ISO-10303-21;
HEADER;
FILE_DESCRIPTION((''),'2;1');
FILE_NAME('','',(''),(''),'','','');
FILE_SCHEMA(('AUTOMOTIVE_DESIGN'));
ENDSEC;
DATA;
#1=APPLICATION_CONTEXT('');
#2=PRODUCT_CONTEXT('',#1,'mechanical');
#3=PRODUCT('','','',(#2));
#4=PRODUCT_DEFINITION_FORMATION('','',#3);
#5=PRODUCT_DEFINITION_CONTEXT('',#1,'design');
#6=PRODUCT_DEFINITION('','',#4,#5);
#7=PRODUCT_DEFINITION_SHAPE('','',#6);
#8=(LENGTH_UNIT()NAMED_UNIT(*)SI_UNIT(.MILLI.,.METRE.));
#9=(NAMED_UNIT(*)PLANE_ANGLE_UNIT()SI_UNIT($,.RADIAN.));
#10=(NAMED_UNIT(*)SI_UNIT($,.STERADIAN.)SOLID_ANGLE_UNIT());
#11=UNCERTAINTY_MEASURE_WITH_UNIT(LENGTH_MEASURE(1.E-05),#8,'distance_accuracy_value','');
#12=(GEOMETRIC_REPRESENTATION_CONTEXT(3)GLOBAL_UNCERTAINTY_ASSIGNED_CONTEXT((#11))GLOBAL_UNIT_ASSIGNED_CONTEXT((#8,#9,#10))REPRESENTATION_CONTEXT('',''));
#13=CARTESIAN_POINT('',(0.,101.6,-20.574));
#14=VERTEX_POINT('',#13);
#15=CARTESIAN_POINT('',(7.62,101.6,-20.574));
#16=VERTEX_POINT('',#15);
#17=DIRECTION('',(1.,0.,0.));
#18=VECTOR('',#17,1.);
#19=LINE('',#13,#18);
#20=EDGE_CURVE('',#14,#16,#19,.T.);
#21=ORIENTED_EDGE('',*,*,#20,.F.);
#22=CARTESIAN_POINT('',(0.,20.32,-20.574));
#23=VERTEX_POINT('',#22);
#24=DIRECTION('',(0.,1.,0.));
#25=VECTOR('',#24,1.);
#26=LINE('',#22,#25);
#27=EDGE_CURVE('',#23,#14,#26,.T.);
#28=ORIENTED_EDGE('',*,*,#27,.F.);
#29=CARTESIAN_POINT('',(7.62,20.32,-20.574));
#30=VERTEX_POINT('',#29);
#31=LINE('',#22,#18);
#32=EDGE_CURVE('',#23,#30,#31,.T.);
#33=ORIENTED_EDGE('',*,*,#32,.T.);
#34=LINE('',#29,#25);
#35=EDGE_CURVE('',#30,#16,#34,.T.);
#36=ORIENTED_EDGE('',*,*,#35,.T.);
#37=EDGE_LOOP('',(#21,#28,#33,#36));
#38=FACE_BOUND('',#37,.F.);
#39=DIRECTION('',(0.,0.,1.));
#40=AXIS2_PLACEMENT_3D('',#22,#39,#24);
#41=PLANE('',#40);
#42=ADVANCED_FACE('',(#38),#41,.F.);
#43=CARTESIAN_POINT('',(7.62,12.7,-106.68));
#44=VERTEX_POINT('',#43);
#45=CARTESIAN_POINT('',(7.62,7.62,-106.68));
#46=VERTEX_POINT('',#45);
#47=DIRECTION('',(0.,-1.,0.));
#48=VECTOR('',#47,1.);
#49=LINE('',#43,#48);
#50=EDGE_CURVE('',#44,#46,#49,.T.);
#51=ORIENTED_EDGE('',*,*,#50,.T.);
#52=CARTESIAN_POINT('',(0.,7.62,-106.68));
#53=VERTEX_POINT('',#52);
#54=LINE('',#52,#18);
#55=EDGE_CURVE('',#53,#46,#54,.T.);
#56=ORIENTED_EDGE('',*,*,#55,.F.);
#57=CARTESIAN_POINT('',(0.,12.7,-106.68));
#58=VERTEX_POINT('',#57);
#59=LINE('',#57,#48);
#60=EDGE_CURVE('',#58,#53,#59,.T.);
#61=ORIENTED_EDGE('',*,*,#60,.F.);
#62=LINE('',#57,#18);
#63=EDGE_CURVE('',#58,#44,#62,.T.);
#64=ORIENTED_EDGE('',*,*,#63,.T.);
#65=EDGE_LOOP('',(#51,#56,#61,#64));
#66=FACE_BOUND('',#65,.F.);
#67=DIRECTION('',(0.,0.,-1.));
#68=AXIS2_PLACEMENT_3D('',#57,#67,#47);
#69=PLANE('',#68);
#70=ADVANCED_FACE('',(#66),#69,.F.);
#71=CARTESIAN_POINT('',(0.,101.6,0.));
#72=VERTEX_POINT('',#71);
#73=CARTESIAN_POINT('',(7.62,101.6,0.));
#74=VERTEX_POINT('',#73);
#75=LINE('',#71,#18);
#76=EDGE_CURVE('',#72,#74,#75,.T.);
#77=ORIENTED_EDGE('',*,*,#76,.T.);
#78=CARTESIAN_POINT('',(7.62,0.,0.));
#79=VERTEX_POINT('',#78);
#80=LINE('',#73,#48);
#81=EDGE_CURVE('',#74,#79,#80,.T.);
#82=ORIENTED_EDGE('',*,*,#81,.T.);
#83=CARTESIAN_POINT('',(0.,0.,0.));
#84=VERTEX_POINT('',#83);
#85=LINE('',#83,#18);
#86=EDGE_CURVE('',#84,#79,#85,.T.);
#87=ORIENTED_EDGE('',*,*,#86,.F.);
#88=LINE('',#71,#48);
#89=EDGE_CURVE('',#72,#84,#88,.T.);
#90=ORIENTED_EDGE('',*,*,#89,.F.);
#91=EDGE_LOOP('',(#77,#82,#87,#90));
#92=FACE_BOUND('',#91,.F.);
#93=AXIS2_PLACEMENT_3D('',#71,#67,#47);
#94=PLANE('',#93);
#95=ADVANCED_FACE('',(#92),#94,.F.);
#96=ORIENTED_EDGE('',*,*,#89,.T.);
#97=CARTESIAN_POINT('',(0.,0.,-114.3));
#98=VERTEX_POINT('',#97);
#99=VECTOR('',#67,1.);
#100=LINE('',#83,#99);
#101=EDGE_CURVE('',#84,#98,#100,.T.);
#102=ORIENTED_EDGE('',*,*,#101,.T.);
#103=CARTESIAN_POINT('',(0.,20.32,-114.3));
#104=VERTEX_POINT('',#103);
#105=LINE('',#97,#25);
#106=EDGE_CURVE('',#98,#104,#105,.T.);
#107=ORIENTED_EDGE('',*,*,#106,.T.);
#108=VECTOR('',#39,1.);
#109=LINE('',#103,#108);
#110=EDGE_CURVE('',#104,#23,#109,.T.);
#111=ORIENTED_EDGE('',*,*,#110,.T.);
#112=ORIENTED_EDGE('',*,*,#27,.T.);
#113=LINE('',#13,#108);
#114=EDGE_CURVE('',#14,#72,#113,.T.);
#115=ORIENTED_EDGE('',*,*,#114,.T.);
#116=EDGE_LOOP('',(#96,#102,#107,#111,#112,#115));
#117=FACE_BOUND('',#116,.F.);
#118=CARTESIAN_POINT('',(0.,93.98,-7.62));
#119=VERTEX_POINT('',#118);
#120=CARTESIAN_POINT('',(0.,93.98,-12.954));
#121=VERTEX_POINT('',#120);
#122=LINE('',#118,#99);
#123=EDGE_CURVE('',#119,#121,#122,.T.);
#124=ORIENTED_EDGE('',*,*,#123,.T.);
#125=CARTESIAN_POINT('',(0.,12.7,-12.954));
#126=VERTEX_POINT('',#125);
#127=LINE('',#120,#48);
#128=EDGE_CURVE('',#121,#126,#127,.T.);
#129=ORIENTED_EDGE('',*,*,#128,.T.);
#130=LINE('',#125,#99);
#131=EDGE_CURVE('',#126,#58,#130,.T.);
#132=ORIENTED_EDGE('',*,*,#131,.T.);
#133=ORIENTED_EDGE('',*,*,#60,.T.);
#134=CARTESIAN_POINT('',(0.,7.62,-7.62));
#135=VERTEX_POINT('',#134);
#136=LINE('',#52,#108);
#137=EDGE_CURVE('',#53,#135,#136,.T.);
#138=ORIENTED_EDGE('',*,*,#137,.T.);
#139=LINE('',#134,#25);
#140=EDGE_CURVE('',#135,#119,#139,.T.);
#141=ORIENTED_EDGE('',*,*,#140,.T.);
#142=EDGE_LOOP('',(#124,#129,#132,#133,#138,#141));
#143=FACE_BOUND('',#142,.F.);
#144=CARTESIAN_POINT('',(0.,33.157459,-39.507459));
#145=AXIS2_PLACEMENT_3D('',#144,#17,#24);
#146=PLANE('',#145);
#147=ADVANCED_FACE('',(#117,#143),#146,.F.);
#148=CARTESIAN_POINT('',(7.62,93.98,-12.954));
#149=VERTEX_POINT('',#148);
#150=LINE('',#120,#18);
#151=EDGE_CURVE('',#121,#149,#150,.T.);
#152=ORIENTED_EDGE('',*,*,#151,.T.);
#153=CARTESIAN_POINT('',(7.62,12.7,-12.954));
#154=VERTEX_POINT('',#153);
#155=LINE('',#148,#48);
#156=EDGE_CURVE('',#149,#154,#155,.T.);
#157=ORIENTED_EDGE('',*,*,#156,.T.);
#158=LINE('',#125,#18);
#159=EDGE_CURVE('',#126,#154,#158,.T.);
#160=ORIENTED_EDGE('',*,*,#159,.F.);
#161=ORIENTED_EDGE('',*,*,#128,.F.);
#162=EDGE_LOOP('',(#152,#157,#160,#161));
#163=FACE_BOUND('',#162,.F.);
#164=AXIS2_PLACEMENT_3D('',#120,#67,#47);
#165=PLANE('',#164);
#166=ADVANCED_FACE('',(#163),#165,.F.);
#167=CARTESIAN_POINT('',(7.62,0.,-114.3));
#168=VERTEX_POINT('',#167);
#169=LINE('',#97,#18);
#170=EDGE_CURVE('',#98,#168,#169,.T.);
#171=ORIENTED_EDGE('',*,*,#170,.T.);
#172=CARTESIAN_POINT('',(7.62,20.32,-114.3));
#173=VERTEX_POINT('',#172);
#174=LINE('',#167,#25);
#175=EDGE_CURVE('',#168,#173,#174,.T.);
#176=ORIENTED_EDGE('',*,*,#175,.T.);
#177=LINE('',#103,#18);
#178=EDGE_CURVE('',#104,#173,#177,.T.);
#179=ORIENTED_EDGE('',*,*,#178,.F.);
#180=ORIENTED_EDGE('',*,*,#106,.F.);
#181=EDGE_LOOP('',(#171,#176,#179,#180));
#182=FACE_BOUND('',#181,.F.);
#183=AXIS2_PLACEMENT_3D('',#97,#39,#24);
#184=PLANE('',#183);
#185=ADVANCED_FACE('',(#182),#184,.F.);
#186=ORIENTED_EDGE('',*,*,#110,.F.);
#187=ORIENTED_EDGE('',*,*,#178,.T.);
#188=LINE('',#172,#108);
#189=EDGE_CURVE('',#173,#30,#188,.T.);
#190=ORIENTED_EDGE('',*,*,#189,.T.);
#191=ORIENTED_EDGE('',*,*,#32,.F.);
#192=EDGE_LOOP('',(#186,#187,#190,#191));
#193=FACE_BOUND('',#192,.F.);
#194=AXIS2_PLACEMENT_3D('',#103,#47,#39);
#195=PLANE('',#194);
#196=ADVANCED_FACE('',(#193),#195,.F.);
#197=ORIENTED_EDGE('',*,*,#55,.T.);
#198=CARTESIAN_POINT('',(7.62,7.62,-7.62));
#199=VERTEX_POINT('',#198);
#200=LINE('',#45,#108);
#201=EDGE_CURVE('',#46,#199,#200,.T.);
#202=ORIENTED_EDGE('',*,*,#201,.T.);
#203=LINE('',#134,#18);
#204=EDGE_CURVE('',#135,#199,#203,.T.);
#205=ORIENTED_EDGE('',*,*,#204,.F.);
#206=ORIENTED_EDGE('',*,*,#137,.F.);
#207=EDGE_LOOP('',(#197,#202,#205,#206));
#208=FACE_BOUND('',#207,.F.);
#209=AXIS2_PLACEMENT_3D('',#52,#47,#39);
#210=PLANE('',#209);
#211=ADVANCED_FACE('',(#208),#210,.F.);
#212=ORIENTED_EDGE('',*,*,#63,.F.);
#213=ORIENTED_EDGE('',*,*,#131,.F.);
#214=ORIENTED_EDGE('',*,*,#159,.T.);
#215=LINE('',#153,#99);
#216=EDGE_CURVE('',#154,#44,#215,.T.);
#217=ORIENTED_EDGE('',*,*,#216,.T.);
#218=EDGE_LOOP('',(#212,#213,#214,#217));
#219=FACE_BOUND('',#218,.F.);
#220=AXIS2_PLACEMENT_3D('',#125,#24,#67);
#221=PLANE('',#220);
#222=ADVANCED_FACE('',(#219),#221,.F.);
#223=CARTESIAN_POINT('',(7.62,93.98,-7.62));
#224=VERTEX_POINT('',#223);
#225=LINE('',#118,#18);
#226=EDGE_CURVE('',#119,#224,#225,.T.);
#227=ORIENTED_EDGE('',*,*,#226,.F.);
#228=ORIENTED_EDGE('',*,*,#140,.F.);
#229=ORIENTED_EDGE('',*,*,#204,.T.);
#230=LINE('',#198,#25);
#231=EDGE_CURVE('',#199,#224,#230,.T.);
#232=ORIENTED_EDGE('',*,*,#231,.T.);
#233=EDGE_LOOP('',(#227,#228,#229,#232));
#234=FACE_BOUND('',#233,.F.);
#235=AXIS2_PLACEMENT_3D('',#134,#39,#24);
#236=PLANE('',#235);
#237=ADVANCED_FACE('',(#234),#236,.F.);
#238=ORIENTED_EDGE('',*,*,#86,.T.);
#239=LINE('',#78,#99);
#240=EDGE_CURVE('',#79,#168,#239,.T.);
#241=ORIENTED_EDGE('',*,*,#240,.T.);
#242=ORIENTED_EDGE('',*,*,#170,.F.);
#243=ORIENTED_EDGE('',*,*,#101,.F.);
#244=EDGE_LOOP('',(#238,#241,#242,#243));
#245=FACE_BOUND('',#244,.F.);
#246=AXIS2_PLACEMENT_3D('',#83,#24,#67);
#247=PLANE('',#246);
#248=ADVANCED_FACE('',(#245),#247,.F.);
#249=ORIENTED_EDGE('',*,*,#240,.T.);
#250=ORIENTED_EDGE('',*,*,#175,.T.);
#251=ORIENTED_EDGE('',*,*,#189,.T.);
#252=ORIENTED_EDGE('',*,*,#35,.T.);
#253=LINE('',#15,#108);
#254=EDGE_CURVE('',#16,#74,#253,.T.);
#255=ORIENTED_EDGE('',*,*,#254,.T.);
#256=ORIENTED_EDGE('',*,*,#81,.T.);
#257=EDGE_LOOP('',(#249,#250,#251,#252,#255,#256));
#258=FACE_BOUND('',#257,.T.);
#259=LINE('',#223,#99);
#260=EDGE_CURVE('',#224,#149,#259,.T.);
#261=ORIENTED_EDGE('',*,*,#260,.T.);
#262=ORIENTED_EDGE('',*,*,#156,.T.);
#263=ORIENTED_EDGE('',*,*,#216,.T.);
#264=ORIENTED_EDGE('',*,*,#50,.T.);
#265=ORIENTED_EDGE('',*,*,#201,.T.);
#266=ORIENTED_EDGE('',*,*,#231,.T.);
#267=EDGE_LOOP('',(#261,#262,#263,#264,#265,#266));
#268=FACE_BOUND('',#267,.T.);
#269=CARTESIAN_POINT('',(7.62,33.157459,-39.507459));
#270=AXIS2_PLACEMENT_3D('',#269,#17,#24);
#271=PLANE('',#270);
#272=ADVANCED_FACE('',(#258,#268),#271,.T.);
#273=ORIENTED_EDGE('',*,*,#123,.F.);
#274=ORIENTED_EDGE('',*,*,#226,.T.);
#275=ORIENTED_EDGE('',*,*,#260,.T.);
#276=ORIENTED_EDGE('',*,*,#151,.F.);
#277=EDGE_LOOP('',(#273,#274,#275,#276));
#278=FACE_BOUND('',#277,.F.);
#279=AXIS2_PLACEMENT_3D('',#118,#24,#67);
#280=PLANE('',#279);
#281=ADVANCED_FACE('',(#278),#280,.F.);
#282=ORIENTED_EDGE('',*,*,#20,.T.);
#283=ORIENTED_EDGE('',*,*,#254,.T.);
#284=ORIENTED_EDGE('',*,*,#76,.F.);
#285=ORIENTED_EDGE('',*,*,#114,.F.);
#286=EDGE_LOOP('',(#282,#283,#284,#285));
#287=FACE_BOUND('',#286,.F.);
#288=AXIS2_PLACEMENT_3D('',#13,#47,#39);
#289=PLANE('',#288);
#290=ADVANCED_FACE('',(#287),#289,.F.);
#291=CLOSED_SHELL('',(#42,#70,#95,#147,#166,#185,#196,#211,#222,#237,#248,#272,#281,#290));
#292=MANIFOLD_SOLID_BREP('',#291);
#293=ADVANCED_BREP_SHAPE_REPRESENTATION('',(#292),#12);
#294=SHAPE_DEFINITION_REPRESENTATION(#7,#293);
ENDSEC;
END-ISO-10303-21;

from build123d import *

# Parameters (mm, degrees)
F1_DEPTH = 7.62


with BuildPart() as f1:
    # F0 (on Right) → F1 (new body)
    with BuildSketch(Plane.YZ):
        Polygon((0, 0), (0, -114.3), (20.32, -114.3), (20.32, -20.574), (101.6, -20.574), (101.6, 0), (20.32, 0), align=None)
        Polygon((12.7, -106.68), (7.62, -106.68), (7.62, -7.62), (93.98, -7.62), (93.98, -12.954), (12.7, -12.954), align=None, mode=Mode.SUBTRACT)
    extrude(amount=F1_DEPTH)


solid = f1.part
